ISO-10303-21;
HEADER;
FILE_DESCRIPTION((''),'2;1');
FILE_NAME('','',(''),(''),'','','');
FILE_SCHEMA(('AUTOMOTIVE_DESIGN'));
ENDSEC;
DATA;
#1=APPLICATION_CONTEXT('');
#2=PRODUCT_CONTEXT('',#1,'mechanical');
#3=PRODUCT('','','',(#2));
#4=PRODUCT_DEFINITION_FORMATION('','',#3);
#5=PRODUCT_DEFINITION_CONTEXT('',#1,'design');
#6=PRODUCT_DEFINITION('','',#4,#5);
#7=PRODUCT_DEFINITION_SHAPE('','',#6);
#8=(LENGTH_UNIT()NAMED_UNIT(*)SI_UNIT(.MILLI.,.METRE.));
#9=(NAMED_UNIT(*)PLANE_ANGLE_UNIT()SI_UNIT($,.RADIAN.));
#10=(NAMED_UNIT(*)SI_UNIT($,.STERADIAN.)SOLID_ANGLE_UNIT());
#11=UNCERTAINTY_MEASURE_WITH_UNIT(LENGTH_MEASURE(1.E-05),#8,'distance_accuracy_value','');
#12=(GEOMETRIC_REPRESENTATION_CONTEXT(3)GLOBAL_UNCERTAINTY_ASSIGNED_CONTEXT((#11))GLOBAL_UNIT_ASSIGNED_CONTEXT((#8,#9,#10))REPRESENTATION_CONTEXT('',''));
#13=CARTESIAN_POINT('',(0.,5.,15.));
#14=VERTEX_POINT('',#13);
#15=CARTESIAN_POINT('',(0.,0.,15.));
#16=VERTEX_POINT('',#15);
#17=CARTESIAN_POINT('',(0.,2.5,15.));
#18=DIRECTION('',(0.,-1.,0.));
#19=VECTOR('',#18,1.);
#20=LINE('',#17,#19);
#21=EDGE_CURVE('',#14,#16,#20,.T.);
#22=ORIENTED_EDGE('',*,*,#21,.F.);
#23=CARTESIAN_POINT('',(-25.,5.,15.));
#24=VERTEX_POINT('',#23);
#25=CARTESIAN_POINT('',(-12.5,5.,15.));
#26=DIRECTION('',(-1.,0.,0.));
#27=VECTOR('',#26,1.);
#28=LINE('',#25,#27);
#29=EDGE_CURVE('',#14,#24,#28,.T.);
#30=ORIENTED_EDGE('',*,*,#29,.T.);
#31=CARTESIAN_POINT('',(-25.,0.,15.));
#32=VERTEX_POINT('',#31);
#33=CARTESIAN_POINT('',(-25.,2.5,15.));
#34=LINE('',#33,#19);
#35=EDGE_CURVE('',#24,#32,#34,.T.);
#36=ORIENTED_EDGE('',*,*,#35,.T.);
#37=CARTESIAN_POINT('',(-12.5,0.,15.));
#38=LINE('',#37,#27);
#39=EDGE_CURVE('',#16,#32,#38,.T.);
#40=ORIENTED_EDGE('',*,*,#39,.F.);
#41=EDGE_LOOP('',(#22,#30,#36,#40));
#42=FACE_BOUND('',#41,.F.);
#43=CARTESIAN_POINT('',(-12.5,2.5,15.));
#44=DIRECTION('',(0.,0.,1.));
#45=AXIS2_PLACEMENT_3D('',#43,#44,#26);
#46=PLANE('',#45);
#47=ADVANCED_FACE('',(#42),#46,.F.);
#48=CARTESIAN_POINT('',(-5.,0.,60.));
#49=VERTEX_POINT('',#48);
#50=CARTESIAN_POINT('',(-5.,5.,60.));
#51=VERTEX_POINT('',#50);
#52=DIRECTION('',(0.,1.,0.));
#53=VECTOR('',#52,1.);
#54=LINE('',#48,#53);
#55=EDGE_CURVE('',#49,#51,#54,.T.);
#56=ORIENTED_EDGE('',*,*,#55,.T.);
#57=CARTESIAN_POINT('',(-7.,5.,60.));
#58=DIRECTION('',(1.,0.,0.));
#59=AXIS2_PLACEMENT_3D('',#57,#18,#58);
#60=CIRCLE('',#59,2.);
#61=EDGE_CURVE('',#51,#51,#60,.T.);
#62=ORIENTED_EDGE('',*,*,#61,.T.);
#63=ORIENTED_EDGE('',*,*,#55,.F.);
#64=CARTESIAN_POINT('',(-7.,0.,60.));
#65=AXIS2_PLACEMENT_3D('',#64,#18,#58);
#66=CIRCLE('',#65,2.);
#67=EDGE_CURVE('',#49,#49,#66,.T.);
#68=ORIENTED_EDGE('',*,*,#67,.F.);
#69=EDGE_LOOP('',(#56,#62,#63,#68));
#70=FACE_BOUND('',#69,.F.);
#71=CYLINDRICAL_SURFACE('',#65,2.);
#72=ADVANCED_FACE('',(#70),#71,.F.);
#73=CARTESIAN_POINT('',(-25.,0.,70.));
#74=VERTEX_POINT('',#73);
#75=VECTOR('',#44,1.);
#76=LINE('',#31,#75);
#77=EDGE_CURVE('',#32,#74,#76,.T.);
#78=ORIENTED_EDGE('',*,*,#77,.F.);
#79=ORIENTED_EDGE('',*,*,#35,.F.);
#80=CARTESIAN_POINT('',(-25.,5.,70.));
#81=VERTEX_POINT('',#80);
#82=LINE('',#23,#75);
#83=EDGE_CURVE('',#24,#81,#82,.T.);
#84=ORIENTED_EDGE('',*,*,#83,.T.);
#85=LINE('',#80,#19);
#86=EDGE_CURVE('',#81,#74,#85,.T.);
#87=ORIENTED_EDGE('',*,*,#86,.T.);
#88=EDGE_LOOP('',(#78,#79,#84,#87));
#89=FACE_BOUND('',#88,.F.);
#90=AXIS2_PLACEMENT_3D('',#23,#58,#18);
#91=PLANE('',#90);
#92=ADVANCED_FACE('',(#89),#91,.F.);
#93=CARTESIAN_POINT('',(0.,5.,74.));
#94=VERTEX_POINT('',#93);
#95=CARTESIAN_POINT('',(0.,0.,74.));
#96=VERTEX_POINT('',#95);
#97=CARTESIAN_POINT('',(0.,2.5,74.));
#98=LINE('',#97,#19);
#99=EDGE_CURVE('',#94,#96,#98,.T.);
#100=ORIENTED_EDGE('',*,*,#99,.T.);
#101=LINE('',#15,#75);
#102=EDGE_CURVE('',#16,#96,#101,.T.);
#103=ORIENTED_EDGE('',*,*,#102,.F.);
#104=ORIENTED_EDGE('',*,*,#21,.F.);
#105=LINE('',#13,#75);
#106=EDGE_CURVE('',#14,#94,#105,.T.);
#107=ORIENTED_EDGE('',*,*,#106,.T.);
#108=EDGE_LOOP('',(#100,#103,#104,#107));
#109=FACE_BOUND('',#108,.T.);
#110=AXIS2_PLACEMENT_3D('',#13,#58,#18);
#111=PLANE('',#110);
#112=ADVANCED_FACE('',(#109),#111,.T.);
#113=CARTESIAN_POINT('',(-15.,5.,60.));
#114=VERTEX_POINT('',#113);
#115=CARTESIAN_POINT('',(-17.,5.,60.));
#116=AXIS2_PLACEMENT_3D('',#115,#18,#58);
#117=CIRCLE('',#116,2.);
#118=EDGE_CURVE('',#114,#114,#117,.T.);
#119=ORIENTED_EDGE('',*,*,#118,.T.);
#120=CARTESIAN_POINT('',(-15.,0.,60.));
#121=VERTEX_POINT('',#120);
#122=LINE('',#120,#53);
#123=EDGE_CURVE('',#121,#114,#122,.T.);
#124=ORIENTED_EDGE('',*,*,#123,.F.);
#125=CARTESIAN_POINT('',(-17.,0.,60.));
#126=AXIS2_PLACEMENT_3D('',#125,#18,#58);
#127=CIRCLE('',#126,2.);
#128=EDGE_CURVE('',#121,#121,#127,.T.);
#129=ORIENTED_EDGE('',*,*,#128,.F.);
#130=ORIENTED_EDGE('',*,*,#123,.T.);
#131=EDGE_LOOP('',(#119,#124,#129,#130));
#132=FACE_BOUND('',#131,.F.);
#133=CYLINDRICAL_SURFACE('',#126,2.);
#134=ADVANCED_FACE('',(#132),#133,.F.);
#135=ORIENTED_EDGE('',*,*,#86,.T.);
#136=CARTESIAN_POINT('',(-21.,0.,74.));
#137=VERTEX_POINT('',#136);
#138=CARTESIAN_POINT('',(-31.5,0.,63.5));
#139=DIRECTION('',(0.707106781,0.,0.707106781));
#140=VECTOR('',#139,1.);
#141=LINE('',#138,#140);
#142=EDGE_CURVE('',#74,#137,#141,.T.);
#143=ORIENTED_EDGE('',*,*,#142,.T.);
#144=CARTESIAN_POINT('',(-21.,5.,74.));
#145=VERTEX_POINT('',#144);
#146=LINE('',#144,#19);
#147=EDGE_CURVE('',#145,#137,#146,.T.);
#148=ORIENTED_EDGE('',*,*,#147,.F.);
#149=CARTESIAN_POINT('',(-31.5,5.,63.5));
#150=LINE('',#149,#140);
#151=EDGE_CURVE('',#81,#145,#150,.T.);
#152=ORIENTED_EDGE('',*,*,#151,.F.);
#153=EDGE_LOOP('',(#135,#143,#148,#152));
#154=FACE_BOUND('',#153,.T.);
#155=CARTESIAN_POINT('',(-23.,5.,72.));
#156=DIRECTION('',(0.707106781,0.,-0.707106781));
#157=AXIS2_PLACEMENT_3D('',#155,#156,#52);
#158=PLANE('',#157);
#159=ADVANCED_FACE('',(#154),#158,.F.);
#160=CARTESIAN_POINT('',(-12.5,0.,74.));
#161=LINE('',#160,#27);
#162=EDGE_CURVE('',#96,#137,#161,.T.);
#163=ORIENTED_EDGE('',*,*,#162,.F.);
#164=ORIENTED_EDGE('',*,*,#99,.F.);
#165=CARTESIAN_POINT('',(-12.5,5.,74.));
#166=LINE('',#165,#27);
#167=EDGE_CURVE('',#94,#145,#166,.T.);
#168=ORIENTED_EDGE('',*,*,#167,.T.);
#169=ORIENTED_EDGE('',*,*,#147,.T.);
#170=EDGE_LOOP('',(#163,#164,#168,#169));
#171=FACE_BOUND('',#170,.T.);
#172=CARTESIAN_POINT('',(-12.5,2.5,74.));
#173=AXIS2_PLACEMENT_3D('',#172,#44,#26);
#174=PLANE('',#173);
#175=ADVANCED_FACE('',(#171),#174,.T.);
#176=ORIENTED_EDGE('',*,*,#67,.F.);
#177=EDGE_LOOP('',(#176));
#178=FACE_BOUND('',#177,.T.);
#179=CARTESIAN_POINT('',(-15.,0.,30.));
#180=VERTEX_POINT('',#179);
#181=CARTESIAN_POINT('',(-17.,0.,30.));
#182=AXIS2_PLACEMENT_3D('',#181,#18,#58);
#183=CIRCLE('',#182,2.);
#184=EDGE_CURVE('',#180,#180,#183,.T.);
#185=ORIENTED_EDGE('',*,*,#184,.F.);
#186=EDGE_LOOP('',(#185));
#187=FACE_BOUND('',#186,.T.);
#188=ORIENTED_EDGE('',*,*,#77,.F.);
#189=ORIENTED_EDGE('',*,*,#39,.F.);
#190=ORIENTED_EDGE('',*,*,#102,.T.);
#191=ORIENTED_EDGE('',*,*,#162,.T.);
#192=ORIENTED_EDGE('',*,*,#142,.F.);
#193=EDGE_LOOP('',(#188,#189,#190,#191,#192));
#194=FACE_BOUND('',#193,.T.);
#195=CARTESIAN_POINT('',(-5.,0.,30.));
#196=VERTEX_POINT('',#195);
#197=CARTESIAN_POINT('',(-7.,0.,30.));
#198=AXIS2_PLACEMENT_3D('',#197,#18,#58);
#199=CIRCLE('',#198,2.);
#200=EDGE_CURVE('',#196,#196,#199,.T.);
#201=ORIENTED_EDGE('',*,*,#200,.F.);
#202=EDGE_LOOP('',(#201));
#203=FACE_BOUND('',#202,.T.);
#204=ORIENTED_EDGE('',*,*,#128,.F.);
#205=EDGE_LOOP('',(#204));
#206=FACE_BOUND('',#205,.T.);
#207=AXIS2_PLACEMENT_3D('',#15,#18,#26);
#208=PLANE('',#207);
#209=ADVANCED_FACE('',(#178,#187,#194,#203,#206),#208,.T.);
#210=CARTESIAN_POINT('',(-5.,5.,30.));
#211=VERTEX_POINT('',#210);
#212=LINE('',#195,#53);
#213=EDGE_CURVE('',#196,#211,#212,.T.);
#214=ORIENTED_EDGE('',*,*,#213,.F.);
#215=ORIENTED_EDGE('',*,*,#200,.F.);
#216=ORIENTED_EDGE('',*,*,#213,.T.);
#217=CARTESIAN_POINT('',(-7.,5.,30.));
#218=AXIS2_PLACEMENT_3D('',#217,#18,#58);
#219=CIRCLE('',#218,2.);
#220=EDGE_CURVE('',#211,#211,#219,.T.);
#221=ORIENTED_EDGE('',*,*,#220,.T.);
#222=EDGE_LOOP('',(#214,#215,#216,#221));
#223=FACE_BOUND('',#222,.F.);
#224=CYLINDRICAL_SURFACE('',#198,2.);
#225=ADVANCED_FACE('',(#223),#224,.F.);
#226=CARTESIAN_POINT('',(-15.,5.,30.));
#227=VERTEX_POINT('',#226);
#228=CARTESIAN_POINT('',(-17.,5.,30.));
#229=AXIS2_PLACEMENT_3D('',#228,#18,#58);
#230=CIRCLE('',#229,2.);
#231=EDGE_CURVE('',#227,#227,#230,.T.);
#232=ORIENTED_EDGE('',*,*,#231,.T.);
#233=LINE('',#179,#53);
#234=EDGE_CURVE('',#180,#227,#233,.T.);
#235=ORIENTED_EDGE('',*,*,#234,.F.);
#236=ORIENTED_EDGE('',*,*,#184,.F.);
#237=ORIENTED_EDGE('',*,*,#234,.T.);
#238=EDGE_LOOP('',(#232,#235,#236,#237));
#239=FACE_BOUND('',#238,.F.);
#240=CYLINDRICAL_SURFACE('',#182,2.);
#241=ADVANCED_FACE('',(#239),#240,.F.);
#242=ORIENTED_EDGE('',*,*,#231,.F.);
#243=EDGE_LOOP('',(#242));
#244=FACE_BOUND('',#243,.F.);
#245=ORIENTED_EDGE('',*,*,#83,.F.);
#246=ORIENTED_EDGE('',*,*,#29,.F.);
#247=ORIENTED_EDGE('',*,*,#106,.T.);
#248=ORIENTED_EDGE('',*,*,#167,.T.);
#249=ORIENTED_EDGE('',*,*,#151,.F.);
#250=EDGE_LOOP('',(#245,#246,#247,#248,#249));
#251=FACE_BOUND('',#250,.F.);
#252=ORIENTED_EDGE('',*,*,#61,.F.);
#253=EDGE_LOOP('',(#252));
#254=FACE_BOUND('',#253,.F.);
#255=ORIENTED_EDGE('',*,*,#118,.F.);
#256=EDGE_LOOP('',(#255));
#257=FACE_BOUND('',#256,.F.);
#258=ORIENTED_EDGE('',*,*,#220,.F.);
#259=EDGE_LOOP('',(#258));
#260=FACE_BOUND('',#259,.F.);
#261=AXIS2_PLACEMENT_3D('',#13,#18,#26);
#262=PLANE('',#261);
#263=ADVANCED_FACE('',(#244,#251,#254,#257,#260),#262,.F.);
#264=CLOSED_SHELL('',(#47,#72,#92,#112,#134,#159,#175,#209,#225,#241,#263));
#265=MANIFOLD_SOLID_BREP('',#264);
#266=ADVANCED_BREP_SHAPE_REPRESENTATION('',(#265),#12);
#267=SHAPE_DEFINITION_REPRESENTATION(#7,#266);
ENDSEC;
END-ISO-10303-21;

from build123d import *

# Parameters (mm, degrees)
CIRCLE002_R      = 2
EXTRUDE088_DEPTH = 5
CIRCLE_R         = 2
EXTRUDE089_DEPTH = 5
CIRCLE001_R      = 2
EXTRUDE087_DEPTH = 5
CIRCLE003_R      = 2
EXTRUDE086_DEPTH = 5
RECTANGLE068_W   = 25
RECTANGLE068_H   = 5
EXTRUDE083_DEPTH = 59
CHAMFER008_SIZE  = 4


with BuildPart() as extrude088:
    # Circle002 → Extrude088 (new body)
    with BuildSketch(Plane(origin=(-17, 0, 30), x_dir=(1, 0, 0), z_dir=(0, -1, 0))):
        Circle(CIRCLE002_R)
    extrude(amount=-EXTRUDE088_DEPTH)


with BuildPart() as extrude089:
    # Circle → Extrude089 (new body)
    with BuildSketch(Plane(origin=(-7, 0, 30), x_dir=(1, 0, 0), z_dir=(0, -1, 0))):
        Circle(CIRCLE_R)
    extrude(amount=-EXTRUDE089_DEPTH)


with BuildPart() as extrude087:
    # Circle001 → Extrude087 (new body)
    with BuildSketch(Plane(origin=(-17, 0, 60), x_dir=(1, 0, 0), z_dir=(0, -1, 0))):
        Circle(CIRCLE001_R)
    extrude(amount=-EXTRUDE087_DEPTH)


with BuildPart() as extrude086:
    # Circle003 → Extrude086 (new body)
    with BuildSketch(Plane(origin=(-7, 0, 60), x_dir=(1, 0, 0), z_dir=(0, -1, 0))):
        Circle(CIRCLE003_R)
    extrude(amount=-EXTRUDE086_DEPTH)


with BuildPart() as cut007:
    # Rectangle068 → Extrude083 (new body)
    with BuildSketch(Plane(origin=(0, 5, 15), x_dir=(-1, 0, 0), z_dir=(0, 0, 1))):
        with Locations((12.5, 2.5)):
            Rectangle(RECTANGLE068_W, RECTANGLE068_H)
    extrude(amount=EXTRUDE083_DEPTH)

    # Chamfer008
    chamfer008_edges = [cut007.edges().sort_by_distance(p)[0] for p in [
        (-25, 2.5, 74),
    ]]
    chamfer(chamfer008_edges, length=CHAMFER008_SIZE)

    # Cut004: cut Extrude086
    add(extrude086.part, mode=Mode.SUBTRACT)

    # Cut005: cut Extrude087
    add(extrude087.part, mode=Mode.SUBTRACT)

    # Cut006: cut Extrude089
    add(extrude089.part, mode=Mode.SUBTRACT)

    # Cut007: cut Extrude088
    add(extrude088.part, mode=Mode.SUBTRACT)


solid = cut007.part
